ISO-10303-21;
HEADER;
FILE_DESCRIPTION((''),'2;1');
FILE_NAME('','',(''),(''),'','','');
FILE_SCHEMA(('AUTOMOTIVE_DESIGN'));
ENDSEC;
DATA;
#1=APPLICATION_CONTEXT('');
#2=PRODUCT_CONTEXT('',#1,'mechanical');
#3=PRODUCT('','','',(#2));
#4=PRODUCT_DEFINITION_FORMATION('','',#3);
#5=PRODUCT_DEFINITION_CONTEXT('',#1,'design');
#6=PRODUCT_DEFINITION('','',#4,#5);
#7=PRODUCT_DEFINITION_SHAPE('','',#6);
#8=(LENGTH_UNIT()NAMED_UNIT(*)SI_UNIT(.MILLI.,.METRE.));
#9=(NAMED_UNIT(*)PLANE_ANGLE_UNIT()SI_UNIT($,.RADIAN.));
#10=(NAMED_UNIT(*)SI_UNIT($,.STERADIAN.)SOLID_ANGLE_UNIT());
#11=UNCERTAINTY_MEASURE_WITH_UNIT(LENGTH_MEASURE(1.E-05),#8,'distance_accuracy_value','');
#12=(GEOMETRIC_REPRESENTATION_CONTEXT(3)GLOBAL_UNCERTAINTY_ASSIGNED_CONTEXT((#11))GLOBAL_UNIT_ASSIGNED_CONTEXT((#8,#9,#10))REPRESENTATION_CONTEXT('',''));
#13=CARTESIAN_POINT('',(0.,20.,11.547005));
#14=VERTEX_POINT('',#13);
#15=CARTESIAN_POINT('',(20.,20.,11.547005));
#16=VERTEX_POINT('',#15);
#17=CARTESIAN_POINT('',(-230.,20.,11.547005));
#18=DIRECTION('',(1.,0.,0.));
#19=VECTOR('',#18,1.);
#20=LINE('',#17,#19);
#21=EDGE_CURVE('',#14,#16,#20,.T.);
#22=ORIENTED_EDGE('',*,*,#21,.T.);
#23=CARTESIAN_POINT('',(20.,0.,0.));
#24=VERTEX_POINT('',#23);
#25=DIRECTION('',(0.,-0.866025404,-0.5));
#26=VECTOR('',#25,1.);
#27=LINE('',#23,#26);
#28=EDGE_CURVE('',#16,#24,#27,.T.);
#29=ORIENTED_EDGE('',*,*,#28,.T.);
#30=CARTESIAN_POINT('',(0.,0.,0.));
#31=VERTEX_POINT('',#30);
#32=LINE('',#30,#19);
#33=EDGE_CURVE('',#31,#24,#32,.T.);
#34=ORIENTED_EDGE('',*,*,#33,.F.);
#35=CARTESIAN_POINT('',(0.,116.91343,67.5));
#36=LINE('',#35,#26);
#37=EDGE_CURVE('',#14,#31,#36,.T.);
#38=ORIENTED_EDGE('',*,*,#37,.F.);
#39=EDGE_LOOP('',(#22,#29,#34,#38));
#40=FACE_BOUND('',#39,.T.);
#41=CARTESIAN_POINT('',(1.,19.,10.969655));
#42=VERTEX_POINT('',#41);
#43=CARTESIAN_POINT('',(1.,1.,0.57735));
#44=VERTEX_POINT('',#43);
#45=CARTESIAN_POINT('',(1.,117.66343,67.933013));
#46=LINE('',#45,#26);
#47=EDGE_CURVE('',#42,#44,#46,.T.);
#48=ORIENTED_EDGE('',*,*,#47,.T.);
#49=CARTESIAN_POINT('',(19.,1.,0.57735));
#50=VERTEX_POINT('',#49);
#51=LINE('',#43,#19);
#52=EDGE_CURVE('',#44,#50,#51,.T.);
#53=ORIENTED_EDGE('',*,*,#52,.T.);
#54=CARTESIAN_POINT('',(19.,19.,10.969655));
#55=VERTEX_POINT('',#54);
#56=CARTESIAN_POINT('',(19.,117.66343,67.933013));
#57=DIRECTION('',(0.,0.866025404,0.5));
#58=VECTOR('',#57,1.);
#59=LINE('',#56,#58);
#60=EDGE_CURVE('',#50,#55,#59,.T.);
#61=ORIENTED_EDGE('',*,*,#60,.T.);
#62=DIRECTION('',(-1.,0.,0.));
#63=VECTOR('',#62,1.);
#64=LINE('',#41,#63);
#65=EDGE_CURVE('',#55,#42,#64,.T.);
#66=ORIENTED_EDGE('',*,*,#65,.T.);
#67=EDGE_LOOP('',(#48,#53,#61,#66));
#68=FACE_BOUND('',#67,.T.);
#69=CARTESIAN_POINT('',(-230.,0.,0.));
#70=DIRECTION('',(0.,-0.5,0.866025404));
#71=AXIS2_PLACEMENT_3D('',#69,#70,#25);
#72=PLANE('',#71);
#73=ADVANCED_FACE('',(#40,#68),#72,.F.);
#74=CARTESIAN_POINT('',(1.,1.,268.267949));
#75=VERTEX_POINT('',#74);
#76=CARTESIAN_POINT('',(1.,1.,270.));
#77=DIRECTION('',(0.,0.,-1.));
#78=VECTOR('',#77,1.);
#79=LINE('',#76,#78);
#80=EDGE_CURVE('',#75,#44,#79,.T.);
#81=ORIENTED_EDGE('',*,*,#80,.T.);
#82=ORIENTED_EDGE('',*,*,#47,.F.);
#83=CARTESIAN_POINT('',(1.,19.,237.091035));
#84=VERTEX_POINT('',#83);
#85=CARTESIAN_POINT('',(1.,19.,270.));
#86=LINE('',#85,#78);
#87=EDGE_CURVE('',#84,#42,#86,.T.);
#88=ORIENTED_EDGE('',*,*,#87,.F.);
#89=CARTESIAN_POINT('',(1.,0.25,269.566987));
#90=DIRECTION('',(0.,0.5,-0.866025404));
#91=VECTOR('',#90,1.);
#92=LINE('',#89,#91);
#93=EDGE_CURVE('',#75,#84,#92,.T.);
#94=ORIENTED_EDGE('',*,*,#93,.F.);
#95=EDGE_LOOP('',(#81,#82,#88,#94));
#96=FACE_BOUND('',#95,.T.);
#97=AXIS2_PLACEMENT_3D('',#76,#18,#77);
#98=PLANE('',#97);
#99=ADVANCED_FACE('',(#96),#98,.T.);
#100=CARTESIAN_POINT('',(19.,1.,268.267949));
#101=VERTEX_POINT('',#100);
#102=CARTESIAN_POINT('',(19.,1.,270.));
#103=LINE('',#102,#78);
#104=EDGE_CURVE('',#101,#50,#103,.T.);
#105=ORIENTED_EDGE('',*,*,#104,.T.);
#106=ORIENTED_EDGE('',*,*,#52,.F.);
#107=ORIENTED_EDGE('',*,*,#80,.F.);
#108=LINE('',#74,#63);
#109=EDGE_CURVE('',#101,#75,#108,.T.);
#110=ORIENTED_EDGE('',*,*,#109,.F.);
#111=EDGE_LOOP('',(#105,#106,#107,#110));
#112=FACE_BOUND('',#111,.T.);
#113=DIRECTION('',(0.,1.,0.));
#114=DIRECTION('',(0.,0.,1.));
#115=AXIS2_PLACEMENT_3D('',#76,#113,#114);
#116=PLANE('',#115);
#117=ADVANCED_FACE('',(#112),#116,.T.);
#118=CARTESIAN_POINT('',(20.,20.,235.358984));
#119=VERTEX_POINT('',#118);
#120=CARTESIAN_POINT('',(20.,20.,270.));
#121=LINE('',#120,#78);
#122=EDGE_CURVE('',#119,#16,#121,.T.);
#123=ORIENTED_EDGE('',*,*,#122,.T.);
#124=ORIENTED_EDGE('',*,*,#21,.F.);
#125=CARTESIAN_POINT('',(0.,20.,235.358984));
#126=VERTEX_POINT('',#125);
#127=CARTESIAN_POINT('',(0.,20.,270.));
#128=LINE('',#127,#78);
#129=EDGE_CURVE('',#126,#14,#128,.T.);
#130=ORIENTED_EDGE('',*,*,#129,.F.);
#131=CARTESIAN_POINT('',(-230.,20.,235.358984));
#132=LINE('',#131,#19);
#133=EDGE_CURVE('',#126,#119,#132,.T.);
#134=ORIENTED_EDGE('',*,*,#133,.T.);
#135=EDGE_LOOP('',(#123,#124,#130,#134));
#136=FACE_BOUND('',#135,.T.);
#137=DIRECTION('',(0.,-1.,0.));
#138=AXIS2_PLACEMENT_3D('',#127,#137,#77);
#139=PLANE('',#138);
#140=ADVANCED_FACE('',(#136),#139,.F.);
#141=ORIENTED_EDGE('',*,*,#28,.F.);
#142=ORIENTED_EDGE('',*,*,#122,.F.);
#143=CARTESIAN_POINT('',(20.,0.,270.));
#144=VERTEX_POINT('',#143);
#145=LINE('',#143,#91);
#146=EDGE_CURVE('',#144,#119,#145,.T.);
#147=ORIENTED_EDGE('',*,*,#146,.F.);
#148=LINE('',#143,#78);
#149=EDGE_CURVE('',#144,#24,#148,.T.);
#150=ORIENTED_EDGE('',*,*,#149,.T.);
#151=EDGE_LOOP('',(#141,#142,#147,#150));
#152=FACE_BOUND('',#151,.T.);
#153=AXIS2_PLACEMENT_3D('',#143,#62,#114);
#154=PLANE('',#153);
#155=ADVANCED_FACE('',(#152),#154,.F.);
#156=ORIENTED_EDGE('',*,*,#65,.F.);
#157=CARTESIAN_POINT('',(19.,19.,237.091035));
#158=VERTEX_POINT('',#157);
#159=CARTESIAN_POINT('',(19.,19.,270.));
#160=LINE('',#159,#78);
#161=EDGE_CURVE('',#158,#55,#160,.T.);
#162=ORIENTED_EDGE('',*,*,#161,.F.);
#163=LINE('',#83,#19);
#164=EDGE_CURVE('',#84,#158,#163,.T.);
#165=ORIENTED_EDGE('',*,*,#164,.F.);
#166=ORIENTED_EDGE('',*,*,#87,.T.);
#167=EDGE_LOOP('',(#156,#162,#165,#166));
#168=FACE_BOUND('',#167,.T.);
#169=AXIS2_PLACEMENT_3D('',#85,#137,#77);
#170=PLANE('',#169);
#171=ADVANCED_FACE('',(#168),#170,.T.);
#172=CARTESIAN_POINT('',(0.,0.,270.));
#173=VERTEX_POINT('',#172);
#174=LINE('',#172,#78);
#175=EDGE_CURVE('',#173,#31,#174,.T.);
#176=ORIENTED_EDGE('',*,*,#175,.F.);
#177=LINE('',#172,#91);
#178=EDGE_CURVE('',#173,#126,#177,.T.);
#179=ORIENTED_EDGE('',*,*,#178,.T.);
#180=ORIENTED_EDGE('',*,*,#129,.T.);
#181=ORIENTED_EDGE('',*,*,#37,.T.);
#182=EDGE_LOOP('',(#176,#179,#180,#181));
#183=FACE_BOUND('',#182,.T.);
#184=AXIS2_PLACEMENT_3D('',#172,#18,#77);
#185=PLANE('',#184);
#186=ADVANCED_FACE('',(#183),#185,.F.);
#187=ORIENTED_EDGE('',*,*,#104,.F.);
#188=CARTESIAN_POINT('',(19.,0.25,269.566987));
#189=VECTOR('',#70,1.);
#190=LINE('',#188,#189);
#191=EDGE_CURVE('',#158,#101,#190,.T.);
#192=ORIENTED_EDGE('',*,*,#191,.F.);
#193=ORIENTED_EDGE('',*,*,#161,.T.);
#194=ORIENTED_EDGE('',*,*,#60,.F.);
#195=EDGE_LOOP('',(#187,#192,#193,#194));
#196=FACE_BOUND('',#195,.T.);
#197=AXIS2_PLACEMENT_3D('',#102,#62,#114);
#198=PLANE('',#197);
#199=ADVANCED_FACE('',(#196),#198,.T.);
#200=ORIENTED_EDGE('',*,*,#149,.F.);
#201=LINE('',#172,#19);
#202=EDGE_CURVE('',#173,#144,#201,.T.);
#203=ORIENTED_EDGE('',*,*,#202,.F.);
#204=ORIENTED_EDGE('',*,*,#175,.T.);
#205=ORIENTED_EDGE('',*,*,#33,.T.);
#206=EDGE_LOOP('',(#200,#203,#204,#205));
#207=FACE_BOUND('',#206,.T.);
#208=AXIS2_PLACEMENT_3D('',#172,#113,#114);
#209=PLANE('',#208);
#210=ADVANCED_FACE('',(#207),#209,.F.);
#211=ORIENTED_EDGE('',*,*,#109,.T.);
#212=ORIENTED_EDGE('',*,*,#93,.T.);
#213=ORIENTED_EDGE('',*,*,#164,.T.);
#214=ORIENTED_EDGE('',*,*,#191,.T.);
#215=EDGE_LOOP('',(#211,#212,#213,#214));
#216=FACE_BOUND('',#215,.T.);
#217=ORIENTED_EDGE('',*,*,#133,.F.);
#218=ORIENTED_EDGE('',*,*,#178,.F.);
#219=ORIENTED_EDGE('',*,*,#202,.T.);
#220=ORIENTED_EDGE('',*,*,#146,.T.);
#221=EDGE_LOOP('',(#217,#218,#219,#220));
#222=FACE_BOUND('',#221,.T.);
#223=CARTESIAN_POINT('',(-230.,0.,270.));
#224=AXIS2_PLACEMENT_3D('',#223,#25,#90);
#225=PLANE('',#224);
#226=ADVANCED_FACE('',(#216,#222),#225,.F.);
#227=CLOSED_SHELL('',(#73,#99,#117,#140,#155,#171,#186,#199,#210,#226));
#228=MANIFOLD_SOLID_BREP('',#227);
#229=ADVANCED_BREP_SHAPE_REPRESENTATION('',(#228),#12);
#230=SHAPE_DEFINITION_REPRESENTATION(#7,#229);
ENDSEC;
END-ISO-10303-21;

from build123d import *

# Parameters (mm, degrees)
SKETCH_1_W          = 20
SKETCH_1_H          = 20
SKETCH_1_W_2        = 18
SKETCH_1_H_2        = 18
EXTRUDE_1_DEPTH     = 270
CUT_EXTRUDE_1_DEPTH = 250


with BuildPart() as part:
    # 草图1 → 凸台-拉伸1 (new body)
    with BuildSketch(Plane.XY):
        with Locations((10, 10)):
            Rectangle(SKETCH_1_W, SKETCH_1_H)
        with Locations((10, 10)):
            Rectangle(SKETCH_1_W_2, SKETCH_1_H_2, mode=Mode.SUBTRACT)
    extrude(amount=EXTRUDE_1_DEPTH)

    # 草图2 → 切除-拉伸1 (cut)
    with BuildSketch(Plane(origin=(20, 0, 0), x_dir=(0, 0, -1), z_dir=(1, 0, 0))):
        Polygon((-270, 20), (-270, 0), (-235.358983849, 20), align=None)
        Polygon((-11.547005384, 20), (0, 20), (0, 0), align=None)
    extrude(amount=-CUT_EXTRUDE_1_DEPTH, mode=Mode.SUBTRACT)


solid = part.part
